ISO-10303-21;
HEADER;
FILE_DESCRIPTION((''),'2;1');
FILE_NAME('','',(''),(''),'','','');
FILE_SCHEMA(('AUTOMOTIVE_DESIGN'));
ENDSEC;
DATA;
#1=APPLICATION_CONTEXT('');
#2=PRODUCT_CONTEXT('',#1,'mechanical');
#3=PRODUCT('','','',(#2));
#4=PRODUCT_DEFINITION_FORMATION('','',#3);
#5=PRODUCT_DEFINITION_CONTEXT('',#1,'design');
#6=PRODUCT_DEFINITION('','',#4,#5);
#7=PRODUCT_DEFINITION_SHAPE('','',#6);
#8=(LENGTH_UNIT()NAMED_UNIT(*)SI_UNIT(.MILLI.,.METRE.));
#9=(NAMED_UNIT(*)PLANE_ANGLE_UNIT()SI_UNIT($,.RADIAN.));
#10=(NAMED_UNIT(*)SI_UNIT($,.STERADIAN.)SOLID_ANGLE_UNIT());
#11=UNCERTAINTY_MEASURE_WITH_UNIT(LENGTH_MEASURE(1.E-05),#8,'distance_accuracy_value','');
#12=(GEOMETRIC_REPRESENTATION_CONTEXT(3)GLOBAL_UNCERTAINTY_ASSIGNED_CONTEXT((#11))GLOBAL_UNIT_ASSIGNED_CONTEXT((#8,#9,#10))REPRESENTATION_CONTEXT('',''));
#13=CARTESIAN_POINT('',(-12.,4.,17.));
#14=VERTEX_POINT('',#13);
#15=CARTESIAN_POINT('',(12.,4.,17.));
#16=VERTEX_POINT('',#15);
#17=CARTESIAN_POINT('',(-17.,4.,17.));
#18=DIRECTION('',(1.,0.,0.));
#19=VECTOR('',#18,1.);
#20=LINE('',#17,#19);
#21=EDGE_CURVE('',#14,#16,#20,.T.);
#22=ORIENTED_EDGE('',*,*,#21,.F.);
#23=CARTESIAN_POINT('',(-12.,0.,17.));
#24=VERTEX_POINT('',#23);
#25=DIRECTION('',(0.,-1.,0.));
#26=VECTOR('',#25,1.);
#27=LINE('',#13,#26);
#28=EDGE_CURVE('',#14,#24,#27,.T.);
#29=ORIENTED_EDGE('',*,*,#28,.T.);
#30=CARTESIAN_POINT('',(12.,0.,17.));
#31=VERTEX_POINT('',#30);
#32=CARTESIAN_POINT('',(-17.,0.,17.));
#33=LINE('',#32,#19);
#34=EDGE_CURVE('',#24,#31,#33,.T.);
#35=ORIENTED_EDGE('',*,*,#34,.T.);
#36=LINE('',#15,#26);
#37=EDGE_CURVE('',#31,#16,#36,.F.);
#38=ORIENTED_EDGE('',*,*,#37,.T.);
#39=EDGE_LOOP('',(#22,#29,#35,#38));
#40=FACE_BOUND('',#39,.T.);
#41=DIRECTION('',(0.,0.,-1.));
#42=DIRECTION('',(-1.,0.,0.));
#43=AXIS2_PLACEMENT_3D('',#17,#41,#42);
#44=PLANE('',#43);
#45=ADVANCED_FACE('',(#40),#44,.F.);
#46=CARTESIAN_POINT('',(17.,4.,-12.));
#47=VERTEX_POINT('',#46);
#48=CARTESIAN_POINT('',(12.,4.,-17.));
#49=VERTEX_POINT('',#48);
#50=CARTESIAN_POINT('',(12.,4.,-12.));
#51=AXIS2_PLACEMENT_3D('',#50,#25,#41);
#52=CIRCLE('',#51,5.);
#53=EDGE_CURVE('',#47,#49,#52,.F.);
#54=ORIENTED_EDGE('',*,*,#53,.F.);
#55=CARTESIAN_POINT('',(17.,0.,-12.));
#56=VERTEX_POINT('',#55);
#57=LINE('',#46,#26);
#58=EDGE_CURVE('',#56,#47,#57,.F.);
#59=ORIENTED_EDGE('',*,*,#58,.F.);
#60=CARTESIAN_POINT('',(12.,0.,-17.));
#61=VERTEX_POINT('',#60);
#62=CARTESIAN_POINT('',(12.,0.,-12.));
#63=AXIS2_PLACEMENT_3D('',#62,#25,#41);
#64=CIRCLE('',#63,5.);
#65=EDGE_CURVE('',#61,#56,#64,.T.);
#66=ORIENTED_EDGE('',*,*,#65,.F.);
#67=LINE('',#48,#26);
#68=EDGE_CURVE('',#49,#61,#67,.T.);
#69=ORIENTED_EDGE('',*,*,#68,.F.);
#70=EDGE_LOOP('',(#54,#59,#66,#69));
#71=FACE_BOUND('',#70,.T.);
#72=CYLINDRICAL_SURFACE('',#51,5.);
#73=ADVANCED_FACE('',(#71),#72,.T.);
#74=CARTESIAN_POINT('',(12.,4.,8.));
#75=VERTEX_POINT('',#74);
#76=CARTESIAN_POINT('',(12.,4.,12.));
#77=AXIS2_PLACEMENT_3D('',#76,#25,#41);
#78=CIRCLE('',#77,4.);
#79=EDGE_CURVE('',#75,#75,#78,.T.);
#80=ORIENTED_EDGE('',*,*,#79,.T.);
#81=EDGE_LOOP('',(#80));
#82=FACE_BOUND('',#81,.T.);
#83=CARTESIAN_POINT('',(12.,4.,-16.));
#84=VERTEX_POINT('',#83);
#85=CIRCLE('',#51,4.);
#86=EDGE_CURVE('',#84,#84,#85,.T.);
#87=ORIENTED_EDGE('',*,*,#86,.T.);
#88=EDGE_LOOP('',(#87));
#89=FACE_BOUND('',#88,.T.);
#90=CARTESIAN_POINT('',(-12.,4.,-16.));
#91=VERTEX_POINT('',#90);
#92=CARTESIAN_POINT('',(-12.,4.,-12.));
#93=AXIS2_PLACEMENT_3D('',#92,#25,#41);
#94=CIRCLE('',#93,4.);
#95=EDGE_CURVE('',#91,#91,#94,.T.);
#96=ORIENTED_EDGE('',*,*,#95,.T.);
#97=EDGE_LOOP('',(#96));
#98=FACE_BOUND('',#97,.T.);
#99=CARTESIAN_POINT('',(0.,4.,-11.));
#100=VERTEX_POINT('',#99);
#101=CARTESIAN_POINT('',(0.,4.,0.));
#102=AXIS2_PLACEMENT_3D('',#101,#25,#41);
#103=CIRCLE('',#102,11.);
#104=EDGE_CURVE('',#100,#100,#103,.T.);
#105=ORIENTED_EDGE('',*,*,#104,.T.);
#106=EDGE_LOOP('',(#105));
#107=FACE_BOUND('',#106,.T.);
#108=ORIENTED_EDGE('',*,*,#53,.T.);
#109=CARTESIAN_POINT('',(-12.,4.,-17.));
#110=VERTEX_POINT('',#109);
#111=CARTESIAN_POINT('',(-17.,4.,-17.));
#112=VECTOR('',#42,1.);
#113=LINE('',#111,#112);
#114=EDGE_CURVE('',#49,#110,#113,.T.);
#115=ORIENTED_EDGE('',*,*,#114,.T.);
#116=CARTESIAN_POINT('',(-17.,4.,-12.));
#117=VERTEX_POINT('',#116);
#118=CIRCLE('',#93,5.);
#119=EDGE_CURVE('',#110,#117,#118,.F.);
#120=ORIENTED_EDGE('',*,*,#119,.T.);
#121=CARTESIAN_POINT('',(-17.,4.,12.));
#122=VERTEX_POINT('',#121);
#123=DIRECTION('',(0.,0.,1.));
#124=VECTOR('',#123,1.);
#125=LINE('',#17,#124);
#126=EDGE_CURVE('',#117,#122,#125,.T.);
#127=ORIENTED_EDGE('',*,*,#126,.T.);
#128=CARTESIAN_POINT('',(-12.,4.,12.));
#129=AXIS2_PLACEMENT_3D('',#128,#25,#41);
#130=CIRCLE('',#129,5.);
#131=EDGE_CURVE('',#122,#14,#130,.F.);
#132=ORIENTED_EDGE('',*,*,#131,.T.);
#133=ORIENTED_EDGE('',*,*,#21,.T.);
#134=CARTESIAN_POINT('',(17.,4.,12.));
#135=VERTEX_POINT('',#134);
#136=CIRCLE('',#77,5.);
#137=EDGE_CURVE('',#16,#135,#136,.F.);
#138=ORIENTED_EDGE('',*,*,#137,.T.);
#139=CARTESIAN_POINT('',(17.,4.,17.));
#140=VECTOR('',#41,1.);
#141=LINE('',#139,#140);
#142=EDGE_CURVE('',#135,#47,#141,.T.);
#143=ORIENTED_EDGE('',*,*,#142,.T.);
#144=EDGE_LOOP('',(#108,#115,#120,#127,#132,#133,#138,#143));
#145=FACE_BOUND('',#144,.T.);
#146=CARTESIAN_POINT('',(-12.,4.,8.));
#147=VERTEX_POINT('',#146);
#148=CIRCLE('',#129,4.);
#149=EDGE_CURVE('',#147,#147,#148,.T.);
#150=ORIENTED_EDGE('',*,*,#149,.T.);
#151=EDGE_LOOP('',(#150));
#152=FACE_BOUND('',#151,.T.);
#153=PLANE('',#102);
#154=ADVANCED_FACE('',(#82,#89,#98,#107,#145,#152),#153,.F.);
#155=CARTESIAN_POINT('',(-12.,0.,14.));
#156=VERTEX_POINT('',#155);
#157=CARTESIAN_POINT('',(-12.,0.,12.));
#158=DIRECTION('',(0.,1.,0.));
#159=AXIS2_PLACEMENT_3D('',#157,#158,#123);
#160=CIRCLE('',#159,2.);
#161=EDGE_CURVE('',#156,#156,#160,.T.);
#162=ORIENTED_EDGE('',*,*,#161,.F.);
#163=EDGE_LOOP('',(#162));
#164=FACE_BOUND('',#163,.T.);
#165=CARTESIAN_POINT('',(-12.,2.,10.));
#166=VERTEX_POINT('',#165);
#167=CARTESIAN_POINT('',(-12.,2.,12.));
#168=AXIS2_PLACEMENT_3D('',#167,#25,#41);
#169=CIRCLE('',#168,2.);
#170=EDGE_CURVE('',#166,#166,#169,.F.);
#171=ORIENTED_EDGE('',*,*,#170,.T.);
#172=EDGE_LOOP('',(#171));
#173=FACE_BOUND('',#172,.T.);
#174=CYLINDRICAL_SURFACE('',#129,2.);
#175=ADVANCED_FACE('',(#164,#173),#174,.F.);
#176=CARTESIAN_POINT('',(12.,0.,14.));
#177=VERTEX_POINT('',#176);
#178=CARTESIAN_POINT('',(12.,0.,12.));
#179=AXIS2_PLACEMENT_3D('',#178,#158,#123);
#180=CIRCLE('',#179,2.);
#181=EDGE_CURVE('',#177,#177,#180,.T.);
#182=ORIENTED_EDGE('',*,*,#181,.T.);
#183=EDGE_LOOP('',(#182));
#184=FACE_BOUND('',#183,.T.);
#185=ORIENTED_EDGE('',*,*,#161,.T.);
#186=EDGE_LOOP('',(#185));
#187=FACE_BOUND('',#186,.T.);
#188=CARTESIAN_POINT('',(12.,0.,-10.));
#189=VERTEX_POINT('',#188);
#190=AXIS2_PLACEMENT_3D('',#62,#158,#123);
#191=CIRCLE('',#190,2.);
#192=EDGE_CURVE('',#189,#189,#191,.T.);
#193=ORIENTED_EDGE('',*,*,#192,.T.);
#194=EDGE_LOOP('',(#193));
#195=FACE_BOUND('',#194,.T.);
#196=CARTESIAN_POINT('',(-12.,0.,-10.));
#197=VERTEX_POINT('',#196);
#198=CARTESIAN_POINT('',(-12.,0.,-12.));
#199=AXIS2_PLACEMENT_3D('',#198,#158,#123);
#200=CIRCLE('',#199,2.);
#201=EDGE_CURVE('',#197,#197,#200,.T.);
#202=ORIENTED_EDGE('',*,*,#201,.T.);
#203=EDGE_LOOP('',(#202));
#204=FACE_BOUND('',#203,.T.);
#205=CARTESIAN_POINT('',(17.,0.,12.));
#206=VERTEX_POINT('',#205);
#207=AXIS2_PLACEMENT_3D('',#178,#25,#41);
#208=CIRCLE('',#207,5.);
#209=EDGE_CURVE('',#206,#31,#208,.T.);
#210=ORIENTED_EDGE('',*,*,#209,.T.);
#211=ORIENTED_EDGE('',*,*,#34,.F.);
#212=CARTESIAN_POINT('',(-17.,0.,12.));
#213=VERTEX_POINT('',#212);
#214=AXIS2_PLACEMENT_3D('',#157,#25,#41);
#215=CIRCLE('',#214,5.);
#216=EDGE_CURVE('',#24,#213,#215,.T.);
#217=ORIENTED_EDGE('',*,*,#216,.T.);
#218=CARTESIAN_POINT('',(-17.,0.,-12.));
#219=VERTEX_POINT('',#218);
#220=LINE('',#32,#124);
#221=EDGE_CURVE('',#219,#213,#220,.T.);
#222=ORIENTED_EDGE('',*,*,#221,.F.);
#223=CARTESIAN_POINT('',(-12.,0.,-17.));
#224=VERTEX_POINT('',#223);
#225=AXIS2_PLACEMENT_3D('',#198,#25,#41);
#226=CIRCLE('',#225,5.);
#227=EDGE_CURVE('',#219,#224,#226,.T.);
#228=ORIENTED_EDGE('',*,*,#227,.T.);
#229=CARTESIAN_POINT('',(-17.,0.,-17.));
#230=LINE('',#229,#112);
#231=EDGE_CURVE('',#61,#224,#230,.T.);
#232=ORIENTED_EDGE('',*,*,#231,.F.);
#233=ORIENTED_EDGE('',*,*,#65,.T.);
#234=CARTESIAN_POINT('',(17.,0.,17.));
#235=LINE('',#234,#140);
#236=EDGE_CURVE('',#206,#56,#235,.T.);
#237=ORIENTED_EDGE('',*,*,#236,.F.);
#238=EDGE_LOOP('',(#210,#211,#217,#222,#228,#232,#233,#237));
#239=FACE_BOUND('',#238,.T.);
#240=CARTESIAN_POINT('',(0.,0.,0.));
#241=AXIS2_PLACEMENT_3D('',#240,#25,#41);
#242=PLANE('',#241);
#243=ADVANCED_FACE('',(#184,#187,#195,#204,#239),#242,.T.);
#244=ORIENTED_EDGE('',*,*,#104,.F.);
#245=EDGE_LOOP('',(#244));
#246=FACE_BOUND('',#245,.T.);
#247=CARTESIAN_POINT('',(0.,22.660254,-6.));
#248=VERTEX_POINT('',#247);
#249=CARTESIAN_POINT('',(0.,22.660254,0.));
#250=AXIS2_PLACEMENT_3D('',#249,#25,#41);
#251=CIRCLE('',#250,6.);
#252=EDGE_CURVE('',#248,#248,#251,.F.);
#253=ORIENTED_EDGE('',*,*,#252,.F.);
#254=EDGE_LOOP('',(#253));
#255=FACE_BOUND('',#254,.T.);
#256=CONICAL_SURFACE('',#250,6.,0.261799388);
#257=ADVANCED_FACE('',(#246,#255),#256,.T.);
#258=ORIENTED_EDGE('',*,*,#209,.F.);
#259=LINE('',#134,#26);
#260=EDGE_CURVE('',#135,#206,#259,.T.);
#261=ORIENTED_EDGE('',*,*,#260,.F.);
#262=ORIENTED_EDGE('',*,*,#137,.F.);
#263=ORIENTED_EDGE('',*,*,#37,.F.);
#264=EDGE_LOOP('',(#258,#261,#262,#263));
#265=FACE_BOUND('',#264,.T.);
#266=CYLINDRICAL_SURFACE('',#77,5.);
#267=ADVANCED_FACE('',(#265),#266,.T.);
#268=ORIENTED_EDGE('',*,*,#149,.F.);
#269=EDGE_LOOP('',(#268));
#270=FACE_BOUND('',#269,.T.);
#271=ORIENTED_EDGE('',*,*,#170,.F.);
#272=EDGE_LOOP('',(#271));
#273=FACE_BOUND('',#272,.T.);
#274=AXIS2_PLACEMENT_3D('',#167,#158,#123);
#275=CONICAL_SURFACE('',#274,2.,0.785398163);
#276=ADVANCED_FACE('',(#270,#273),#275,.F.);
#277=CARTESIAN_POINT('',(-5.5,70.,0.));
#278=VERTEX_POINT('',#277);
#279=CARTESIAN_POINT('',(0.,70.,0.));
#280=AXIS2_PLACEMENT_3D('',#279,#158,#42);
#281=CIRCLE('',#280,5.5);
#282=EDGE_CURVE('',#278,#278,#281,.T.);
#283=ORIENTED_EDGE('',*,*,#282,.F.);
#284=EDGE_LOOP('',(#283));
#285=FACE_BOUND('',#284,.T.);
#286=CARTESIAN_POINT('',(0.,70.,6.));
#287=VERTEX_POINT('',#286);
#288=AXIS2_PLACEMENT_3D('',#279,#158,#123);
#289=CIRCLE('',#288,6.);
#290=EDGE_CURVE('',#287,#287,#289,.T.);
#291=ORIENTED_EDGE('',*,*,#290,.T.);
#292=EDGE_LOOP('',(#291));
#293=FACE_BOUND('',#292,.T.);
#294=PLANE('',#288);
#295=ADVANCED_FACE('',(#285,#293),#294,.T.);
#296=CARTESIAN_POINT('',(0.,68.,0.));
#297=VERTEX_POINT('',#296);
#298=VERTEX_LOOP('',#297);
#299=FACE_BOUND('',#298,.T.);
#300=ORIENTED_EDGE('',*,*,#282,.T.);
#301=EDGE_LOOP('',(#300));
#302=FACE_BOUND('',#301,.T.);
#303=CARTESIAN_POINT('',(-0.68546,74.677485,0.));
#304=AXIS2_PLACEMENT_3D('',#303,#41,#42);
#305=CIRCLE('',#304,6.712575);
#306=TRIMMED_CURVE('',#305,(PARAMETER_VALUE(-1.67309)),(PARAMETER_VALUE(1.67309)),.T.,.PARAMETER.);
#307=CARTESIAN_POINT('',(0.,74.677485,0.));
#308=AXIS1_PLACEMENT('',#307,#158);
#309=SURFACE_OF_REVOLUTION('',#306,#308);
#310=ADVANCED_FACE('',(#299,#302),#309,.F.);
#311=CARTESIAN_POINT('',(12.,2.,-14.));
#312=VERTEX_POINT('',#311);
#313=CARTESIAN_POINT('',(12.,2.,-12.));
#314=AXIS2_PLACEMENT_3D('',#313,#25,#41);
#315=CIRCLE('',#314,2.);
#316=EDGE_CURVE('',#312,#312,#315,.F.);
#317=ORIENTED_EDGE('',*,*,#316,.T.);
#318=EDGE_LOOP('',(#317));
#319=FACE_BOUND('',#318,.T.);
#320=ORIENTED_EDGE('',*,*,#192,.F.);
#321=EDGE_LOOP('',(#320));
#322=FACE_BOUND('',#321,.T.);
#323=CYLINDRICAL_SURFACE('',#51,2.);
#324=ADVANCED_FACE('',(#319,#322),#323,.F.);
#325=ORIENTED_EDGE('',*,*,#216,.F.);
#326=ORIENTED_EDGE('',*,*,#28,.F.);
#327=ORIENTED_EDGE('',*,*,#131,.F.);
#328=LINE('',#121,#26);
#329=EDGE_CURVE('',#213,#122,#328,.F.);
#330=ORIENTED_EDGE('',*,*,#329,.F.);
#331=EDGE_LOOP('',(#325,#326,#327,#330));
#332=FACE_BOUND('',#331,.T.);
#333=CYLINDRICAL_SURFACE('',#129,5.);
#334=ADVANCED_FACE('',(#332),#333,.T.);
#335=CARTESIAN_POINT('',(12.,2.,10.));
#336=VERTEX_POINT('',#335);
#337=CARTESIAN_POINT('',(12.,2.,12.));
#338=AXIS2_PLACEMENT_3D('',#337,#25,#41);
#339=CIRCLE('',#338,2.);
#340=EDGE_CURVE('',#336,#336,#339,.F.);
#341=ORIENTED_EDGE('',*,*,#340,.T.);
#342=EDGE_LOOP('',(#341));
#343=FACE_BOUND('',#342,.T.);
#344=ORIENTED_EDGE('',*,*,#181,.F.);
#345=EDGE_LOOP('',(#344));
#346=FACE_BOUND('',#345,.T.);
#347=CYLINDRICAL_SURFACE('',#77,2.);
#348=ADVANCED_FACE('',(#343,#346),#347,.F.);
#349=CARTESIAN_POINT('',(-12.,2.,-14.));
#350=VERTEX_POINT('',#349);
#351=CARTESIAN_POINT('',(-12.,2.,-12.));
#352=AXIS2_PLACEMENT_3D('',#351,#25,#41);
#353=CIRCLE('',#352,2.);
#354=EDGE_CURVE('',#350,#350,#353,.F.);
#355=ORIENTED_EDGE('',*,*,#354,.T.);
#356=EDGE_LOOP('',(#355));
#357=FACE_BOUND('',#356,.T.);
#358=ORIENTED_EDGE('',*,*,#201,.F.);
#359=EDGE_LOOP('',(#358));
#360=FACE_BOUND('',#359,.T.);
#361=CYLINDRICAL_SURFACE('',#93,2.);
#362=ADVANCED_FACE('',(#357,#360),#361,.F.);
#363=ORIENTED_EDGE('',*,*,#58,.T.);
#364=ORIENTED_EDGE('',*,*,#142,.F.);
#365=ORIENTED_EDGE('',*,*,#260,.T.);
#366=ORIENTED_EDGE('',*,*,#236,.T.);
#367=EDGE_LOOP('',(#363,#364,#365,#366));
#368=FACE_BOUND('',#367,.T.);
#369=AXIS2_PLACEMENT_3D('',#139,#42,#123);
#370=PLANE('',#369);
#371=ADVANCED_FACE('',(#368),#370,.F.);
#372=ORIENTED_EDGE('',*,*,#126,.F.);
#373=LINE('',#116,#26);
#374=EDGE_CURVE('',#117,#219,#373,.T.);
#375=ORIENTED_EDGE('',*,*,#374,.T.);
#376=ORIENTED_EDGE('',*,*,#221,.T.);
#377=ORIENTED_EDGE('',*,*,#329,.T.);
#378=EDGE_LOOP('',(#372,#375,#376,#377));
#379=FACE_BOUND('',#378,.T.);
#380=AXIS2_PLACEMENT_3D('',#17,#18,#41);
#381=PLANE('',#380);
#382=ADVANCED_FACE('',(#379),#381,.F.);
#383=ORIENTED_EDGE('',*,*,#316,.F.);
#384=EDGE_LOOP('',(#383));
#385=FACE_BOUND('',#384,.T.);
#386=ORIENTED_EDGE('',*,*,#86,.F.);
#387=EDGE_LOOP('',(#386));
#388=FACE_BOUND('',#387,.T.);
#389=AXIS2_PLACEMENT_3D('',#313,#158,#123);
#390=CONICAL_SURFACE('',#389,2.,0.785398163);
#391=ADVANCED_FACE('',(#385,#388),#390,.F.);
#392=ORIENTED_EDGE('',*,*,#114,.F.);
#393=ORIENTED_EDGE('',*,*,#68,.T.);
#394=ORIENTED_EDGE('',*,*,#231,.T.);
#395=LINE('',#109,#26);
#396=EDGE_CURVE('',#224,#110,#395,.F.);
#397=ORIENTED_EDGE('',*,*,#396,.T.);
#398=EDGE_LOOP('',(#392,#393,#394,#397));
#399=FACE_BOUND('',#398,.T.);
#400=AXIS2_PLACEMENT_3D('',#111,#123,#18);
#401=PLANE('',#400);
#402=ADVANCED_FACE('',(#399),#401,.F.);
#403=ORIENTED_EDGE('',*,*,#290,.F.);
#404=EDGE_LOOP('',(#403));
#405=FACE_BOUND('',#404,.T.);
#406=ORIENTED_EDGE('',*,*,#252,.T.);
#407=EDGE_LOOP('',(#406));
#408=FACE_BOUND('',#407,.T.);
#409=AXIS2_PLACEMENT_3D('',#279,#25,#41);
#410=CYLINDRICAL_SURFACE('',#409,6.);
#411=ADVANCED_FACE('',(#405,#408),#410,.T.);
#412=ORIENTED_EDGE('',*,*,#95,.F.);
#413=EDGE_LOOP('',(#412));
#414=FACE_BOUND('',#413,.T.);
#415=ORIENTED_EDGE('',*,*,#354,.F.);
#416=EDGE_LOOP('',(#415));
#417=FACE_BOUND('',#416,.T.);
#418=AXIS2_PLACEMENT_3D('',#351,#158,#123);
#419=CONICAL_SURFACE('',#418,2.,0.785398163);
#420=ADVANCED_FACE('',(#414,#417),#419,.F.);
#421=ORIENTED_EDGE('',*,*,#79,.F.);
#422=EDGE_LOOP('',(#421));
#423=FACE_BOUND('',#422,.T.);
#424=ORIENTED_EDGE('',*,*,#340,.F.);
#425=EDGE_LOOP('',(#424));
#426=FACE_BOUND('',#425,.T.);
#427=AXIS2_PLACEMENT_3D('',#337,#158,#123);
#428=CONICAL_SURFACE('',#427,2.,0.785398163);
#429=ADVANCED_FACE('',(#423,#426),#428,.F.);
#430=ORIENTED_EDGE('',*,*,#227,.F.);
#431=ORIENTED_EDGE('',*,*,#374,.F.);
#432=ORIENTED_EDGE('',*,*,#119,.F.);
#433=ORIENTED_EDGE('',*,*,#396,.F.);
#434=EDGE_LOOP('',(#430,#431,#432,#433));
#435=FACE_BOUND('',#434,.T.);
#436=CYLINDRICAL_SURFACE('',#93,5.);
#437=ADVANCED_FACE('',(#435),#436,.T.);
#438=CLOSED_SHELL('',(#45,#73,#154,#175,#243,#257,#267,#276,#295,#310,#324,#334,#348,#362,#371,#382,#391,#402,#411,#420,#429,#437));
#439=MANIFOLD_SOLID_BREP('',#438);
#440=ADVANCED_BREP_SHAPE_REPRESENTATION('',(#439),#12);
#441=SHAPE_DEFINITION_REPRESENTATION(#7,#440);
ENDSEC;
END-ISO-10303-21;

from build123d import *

# Parameters (mm, degrees)
SKETCH_1_W      = 34
SKETCH_1_H      = 34
SKETCH_1_R      = 2
EXTRUDE_1_DEPTH = 4
FILLET_1_R      = 5
SKETCH_2_R      = 6
EXTRUDE_2_DEPTH = 66
CHAMFER_1_SIZE  = 5
CHAMFER_1_SIZE2 = 18.660254038
CHAMFER_2_SIZE  = 2


with BuildPart() as part:
    # Эскиз1 → Бобышка-Вытянуть1 (new body)
    with BuildSketch(Plane(origin=(0, 0, 0), x_dir=(1, 0, 0), z_dir=(0, 1, 0))):
        Rectangle(SKETCH_1_W, SKETCH_1_H)
        with Locations(Location((-12, 12, 0), (0, 0, 270))):
            Circle(SKETCH_1_R, mode=Mode.SUBTRACT)
        with Locations(Location((12, 12, 0), (0, 0, 270))):
            Circle(SKETCH_1_R, mode=Mode.SUBTRACT)
        with Locations(Location((12, -12, 0), (0, 0, 270))):
            Circle(SKETCH_1_R, mode=Mode.SUBTRACT)
        with Locations(Location((-12, -12, 0), (0, 0, 270))):
            Circle(SKETCH_1_R, mode=Mode.SUBTRACT)
    extrude(amount=EXTRUDE_1_DEPTH)

    # Скругление1
    fillet_1_edges = [part.edges().sort_by_distance(p)[0] for p in [
        (17, 2, 17),
        (-17, 2, 17),
        (-17, 2, -17),
        (17, 2, -17),
    ]]
    fillet(fillet_1_edges, radius=FILLET_1_R)

    # Эскиз2 → Бобышка-Вытянуть2 (add)
    with BuildSketch(Plane(origin=(0, 4, 0), x_dir=(1, 0, 0), z_dir=(0, 1, 0))):
        with Locations(Location((0, 0, 0), (0, 0, 270))):
            Circle(SKETCH_2_R)
    extrude(amount=EXTRUDE_2_DEPTH)

    # Эскиз7 → Вырез-Повернуть3 (revolve, cut)
    with BuildSketch(Plane.XY):
        with BuildLine():
            Line((5.5, 70), (0, 70))
            Line((0, 70), (0, 68))
            ThreePointArc((0, 68), (2.979435889, 68.369051304), (5.5, 70))
        make_face()
    revolve(axis=Axis((0, 82.404747685, 0), (0, -1, 0)), mode=Mode.SUBTRACT)

    # Фаска1
    chamfer_1_edges = [part.edges().sort_by_distance(p)[0] for p in [
        (0, 4, -6),
    ]]
    chamfer_1_side = [part.faces().sort_by_distance(p)[0] for p in [
        (0, 4, 16.519167389),
    ]]
    chamfer(chamfer_1_edges, length=CHAMFER_1_SIZE, length2=CHAMFER_1_SIZE2, reference=chamfer_1_side[0])

    # Фаска2
    chamfer_2_edges = [part.edges().sort_by_distance(p)[0] for p in [
        (-12, 4, -14),
        (12, 4, -14),
        (12, 4, 10),
        (-12, 4, 10),
    ]]
    chamfer(chamfer_2_edges, length=CHAMFER_2_SIZE)


solid = part.part
